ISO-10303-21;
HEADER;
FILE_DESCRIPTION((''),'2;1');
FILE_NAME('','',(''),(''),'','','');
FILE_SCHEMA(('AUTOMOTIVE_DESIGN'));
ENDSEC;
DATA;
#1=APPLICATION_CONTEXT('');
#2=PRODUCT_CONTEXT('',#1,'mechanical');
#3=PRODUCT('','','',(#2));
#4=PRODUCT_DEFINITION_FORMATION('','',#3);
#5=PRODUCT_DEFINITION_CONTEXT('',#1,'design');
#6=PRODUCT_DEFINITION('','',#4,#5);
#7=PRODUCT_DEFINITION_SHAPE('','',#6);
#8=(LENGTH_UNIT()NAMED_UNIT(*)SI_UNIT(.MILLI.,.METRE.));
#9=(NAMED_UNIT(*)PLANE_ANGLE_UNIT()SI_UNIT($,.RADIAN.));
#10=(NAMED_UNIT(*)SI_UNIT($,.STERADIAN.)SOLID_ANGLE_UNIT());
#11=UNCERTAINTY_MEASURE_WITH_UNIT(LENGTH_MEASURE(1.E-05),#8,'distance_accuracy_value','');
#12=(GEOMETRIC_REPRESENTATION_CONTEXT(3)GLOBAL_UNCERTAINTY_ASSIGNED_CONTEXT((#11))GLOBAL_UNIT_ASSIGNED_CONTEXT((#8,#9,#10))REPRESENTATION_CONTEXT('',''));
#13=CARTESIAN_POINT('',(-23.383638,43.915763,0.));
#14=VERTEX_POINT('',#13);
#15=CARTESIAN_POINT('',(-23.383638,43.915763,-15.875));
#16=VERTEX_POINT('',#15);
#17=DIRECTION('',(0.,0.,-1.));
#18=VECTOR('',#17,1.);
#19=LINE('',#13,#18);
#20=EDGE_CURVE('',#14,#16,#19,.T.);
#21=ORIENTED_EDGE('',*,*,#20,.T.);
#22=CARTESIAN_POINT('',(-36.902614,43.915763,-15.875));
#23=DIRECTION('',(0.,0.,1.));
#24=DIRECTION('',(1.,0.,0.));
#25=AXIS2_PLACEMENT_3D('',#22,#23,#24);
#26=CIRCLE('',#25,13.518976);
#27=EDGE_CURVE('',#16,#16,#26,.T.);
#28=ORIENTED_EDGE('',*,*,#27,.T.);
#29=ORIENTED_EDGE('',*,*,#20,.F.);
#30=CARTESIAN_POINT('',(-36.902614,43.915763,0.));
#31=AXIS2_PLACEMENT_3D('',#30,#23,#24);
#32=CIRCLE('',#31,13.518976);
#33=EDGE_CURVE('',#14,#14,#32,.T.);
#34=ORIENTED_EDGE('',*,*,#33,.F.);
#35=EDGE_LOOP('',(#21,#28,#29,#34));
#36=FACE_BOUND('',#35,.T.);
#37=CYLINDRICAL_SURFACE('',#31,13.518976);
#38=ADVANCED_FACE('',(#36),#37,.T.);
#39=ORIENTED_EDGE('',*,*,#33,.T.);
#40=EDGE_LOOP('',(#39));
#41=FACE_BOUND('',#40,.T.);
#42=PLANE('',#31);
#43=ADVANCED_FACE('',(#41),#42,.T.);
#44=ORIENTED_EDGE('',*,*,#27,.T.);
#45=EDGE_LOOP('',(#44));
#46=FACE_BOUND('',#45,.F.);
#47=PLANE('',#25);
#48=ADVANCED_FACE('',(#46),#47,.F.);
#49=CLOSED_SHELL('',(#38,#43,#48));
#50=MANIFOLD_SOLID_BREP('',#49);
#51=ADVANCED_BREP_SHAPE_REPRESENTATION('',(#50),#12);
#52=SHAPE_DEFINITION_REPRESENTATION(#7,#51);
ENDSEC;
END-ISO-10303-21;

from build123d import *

# Parameters (mm, degrees)
F0_R     = 13.5189757813
F1_DEPTH = 15.875


with BuildPart() as f1:
    # F0 (on Top) → F1 (new body)
    with BuildSketch(Plane.XY):
        with Locations((-36.9026139379, 43.9157634974)):
            Circle(F0_R)
    extrude(amount=-F1_DEPTH)


solid = f1.part
